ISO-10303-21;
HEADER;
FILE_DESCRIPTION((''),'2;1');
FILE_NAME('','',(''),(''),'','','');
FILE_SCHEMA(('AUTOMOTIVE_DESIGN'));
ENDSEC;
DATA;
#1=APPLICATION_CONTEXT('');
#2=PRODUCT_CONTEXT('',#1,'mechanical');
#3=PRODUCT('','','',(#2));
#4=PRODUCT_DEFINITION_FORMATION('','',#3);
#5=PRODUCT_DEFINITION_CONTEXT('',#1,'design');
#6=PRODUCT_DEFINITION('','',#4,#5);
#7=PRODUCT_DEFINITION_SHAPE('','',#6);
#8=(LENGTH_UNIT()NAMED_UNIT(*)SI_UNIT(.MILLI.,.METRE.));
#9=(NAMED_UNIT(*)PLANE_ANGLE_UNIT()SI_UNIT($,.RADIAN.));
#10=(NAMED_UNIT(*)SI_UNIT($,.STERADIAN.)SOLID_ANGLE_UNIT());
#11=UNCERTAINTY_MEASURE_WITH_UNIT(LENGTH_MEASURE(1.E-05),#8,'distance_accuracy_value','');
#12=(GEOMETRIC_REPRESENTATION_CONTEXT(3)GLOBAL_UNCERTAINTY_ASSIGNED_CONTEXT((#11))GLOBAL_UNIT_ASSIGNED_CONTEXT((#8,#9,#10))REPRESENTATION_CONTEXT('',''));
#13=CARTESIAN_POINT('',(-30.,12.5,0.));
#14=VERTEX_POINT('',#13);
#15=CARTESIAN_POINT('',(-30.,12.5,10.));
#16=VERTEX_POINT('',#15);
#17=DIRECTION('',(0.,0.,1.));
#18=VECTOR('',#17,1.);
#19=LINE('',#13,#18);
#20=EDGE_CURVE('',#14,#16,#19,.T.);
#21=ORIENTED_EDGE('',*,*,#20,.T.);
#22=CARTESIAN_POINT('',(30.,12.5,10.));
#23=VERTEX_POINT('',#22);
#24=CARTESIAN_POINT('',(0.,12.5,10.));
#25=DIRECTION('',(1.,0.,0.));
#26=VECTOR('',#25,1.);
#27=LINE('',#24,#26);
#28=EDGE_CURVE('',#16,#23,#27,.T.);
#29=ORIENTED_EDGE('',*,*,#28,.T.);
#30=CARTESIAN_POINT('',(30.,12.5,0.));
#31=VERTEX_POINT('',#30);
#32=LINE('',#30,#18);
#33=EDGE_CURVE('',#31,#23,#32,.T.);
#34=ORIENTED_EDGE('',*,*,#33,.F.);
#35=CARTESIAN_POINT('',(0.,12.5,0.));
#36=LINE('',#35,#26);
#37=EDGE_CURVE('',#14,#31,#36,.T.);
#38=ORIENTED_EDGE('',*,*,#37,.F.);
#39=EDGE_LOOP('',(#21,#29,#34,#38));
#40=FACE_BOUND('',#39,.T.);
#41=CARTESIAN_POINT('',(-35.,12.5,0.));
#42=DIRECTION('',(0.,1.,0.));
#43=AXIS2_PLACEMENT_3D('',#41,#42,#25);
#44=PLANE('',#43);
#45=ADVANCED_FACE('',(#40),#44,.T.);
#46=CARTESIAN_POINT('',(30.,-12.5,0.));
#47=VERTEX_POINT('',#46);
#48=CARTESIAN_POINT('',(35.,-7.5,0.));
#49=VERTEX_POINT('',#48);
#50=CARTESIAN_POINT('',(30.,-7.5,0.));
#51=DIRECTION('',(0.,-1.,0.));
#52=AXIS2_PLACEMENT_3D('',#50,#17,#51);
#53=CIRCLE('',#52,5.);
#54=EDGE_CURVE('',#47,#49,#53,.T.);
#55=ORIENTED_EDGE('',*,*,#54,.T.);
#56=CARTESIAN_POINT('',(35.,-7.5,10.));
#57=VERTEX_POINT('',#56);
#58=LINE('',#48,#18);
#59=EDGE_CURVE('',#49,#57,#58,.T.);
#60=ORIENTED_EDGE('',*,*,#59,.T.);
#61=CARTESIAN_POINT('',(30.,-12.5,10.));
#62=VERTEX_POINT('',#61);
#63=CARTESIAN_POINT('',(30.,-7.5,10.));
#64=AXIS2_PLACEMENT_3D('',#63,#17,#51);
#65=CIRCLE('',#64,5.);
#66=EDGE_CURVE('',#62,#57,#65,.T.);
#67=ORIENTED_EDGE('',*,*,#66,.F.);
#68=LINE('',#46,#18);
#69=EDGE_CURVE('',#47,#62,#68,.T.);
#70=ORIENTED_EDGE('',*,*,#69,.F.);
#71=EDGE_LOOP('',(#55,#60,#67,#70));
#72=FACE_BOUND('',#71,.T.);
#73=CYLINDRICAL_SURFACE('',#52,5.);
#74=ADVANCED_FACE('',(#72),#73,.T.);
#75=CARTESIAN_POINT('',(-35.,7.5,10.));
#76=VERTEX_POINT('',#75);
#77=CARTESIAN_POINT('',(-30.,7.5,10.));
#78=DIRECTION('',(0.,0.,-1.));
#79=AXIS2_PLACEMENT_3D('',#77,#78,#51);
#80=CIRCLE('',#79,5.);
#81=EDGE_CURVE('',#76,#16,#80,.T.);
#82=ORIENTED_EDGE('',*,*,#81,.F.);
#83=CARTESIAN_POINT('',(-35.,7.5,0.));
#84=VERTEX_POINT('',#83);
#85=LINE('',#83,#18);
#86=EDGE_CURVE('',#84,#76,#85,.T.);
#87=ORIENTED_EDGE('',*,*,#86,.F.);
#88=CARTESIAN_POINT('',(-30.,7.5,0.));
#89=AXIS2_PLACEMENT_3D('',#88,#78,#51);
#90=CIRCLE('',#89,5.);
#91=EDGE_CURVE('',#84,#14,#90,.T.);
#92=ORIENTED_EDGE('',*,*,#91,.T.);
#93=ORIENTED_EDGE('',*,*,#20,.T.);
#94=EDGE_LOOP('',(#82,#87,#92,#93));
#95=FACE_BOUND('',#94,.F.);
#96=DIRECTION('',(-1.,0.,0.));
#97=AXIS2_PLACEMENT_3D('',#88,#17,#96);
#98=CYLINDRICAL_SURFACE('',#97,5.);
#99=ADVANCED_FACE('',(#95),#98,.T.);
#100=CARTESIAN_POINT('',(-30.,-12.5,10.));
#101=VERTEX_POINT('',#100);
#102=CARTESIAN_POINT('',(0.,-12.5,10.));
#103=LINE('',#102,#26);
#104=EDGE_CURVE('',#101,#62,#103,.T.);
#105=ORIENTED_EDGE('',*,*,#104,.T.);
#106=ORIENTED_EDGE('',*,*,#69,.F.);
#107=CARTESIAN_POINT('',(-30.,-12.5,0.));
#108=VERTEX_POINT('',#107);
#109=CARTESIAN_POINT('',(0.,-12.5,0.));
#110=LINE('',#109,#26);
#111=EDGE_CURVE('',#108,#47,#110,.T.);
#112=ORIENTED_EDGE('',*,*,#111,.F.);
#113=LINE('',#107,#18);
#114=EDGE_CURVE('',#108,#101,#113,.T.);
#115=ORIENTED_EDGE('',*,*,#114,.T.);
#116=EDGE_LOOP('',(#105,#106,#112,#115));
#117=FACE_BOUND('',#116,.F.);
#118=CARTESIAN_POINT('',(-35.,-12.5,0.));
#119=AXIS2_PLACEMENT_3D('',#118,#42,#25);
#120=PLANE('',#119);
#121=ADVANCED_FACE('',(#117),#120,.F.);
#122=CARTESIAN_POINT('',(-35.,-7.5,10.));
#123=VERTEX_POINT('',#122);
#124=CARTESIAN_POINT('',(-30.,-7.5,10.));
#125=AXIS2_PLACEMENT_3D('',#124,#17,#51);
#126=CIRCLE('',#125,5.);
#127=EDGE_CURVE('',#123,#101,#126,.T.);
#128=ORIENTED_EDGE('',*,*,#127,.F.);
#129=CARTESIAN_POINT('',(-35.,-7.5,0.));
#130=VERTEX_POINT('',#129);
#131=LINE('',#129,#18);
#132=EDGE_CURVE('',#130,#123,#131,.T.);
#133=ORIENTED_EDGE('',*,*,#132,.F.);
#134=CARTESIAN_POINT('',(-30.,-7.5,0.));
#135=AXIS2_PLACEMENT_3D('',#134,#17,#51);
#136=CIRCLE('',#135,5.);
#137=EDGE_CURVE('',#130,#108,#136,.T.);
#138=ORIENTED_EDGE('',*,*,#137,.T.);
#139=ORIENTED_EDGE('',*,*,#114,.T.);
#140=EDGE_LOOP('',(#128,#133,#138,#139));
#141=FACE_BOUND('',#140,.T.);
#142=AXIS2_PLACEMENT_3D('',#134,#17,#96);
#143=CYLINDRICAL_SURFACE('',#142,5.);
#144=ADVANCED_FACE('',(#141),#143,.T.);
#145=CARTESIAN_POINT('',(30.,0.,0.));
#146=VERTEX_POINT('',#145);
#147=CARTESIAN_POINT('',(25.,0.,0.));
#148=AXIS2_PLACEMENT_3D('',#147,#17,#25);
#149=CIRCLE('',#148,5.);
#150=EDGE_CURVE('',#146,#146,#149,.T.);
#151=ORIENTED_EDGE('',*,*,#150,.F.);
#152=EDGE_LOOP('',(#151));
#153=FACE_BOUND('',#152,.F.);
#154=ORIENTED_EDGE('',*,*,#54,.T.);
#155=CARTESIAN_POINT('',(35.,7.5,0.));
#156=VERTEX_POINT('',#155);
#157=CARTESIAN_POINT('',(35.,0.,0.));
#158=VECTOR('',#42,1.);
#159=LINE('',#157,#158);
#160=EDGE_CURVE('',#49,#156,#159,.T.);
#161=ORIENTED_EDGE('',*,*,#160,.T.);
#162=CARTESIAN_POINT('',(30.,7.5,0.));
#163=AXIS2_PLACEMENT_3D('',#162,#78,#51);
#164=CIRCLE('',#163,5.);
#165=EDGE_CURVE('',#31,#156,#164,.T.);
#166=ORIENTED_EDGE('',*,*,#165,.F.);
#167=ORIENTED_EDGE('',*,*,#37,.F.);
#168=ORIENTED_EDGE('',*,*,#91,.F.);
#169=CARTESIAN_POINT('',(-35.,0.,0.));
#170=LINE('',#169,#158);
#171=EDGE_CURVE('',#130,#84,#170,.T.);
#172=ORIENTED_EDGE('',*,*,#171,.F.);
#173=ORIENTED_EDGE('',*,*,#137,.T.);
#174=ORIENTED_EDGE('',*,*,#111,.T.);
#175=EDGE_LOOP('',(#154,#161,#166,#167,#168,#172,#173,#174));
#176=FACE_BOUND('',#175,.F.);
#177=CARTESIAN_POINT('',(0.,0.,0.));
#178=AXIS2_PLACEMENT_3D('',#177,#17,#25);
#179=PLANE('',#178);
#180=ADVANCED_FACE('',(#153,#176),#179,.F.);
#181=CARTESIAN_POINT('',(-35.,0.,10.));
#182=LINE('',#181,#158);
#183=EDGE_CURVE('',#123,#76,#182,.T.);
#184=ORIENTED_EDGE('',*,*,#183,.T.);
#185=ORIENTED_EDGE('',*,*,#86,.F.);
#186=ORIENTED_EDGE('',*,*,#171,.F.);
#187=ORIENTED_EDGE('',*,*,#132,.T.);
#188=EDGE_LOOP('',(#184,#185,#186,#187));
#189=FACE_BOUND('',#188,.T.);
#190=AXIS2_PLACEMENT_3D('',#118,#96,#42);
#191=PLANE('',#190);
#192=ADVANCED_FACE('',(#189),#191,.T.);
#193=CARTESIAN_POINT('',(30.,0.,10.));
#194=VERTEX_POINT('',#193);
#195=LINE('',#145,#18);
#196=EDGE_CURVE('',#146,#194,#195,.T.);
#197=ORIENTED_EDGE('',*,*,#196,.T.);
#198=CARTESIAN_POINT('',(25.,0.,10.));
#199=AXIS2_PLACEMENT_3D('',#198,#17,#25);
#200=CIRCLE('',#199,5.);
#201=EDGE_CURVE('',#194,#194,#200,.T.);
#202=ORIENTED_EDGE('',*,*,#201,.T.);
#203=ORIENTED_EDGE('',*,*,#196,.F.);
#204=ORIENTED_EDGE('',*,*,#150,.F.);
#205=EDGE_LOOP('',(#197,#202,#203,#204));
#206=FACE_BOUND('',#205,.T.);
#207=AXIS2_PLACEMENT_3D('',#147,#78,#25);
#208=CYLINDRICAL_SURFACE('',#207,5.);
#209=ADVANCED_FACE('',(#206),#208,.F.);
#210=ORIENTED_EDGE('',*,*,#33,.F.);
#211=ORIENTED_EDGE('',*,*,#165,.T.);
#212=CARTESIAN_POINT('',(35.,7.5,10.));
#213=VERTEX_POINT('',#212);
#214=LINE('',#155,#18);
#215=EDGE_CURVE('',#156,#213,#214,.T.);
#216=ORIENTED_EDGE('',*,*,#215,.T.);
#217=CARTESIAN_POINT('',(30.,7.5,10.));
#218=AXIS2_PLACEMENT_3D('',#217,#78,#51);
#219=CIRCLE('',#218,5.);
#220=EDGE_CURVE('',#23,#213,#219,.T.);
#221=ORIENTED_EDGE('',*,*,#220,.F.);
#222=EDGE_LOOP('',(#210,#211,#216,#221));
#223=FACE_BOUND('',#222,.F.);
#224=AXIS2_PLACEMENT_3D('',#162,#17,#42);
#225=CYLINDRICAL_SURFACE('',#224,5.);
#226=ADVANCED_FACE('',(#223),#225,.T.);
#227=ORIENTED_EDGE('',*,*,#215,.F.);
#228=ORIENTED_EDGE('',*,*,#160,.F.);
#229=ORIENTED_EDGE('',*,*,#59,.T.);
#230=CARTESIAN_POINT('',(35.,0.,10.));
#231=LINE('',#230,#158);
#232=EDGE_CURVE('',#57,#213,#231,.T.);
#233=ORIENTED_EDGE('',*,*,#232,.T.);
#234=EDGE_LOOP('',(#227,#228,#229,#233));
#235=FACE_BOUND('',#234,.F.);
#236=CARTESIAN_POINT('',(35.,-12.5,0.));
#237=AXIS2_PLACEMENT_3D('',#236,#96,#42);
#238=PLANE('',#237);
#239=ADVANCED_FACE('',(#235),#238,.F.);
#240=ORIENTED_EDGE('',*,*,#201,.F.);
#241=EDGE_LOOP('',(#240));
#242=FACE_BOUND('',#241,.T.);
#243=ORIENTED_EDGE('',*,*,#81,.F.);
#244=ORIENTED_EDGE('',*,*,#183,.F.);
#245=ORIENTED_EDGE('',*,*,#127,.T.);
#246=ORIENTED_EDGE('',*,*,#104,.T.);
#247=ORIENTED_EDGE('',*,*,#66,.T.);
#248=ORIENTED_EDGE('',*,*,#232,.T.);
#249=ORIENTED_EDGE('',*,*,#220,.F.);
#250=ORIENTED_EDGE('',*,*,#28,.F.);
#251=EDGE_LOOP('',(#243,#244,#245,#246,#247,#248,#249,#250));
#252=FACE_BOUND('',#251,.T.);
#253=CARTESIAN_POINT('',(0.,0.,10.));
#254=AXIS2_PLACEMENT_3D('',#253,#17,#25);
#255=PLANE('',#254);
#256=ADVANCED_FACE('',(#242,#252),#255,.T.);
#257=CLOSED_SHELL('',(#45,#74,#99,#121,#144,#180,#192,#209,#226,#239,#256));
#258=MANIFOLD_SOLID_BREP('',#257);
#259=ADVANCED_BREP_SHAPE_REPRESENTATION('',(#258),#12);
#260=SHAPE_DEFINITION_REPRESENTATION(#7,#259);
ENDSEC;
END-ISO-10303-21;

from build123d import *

# Parameters (mm, degrees)
F0_W     = 70
F0_H     = 25
F0_R     = 5
F1_DEPTH = 10
F2_R     = 5


with BuildPart() as f1:
    # F0 (on Top) → F1 (new body)
    with BuildSketch(Plane.XY):
        Rectangle(F0_W, F0_H)
        with Locations((25, 0)):
            Circle(F0_R, mode=Mode.SUBTRACT)
    extrude(amount=F1_DEPTH)

    # F2
    f2_edges = [f1.edges().sort_by_distance(p)[0] for p in [
        (-35, -12.5, 5),
        (-35, 12.5, 5),
        (35, -12.5, 5),
        (35, 12.5, 5),
    ]]
    fillet(f2_edges, radius=F2_R)


solid = f1.part
